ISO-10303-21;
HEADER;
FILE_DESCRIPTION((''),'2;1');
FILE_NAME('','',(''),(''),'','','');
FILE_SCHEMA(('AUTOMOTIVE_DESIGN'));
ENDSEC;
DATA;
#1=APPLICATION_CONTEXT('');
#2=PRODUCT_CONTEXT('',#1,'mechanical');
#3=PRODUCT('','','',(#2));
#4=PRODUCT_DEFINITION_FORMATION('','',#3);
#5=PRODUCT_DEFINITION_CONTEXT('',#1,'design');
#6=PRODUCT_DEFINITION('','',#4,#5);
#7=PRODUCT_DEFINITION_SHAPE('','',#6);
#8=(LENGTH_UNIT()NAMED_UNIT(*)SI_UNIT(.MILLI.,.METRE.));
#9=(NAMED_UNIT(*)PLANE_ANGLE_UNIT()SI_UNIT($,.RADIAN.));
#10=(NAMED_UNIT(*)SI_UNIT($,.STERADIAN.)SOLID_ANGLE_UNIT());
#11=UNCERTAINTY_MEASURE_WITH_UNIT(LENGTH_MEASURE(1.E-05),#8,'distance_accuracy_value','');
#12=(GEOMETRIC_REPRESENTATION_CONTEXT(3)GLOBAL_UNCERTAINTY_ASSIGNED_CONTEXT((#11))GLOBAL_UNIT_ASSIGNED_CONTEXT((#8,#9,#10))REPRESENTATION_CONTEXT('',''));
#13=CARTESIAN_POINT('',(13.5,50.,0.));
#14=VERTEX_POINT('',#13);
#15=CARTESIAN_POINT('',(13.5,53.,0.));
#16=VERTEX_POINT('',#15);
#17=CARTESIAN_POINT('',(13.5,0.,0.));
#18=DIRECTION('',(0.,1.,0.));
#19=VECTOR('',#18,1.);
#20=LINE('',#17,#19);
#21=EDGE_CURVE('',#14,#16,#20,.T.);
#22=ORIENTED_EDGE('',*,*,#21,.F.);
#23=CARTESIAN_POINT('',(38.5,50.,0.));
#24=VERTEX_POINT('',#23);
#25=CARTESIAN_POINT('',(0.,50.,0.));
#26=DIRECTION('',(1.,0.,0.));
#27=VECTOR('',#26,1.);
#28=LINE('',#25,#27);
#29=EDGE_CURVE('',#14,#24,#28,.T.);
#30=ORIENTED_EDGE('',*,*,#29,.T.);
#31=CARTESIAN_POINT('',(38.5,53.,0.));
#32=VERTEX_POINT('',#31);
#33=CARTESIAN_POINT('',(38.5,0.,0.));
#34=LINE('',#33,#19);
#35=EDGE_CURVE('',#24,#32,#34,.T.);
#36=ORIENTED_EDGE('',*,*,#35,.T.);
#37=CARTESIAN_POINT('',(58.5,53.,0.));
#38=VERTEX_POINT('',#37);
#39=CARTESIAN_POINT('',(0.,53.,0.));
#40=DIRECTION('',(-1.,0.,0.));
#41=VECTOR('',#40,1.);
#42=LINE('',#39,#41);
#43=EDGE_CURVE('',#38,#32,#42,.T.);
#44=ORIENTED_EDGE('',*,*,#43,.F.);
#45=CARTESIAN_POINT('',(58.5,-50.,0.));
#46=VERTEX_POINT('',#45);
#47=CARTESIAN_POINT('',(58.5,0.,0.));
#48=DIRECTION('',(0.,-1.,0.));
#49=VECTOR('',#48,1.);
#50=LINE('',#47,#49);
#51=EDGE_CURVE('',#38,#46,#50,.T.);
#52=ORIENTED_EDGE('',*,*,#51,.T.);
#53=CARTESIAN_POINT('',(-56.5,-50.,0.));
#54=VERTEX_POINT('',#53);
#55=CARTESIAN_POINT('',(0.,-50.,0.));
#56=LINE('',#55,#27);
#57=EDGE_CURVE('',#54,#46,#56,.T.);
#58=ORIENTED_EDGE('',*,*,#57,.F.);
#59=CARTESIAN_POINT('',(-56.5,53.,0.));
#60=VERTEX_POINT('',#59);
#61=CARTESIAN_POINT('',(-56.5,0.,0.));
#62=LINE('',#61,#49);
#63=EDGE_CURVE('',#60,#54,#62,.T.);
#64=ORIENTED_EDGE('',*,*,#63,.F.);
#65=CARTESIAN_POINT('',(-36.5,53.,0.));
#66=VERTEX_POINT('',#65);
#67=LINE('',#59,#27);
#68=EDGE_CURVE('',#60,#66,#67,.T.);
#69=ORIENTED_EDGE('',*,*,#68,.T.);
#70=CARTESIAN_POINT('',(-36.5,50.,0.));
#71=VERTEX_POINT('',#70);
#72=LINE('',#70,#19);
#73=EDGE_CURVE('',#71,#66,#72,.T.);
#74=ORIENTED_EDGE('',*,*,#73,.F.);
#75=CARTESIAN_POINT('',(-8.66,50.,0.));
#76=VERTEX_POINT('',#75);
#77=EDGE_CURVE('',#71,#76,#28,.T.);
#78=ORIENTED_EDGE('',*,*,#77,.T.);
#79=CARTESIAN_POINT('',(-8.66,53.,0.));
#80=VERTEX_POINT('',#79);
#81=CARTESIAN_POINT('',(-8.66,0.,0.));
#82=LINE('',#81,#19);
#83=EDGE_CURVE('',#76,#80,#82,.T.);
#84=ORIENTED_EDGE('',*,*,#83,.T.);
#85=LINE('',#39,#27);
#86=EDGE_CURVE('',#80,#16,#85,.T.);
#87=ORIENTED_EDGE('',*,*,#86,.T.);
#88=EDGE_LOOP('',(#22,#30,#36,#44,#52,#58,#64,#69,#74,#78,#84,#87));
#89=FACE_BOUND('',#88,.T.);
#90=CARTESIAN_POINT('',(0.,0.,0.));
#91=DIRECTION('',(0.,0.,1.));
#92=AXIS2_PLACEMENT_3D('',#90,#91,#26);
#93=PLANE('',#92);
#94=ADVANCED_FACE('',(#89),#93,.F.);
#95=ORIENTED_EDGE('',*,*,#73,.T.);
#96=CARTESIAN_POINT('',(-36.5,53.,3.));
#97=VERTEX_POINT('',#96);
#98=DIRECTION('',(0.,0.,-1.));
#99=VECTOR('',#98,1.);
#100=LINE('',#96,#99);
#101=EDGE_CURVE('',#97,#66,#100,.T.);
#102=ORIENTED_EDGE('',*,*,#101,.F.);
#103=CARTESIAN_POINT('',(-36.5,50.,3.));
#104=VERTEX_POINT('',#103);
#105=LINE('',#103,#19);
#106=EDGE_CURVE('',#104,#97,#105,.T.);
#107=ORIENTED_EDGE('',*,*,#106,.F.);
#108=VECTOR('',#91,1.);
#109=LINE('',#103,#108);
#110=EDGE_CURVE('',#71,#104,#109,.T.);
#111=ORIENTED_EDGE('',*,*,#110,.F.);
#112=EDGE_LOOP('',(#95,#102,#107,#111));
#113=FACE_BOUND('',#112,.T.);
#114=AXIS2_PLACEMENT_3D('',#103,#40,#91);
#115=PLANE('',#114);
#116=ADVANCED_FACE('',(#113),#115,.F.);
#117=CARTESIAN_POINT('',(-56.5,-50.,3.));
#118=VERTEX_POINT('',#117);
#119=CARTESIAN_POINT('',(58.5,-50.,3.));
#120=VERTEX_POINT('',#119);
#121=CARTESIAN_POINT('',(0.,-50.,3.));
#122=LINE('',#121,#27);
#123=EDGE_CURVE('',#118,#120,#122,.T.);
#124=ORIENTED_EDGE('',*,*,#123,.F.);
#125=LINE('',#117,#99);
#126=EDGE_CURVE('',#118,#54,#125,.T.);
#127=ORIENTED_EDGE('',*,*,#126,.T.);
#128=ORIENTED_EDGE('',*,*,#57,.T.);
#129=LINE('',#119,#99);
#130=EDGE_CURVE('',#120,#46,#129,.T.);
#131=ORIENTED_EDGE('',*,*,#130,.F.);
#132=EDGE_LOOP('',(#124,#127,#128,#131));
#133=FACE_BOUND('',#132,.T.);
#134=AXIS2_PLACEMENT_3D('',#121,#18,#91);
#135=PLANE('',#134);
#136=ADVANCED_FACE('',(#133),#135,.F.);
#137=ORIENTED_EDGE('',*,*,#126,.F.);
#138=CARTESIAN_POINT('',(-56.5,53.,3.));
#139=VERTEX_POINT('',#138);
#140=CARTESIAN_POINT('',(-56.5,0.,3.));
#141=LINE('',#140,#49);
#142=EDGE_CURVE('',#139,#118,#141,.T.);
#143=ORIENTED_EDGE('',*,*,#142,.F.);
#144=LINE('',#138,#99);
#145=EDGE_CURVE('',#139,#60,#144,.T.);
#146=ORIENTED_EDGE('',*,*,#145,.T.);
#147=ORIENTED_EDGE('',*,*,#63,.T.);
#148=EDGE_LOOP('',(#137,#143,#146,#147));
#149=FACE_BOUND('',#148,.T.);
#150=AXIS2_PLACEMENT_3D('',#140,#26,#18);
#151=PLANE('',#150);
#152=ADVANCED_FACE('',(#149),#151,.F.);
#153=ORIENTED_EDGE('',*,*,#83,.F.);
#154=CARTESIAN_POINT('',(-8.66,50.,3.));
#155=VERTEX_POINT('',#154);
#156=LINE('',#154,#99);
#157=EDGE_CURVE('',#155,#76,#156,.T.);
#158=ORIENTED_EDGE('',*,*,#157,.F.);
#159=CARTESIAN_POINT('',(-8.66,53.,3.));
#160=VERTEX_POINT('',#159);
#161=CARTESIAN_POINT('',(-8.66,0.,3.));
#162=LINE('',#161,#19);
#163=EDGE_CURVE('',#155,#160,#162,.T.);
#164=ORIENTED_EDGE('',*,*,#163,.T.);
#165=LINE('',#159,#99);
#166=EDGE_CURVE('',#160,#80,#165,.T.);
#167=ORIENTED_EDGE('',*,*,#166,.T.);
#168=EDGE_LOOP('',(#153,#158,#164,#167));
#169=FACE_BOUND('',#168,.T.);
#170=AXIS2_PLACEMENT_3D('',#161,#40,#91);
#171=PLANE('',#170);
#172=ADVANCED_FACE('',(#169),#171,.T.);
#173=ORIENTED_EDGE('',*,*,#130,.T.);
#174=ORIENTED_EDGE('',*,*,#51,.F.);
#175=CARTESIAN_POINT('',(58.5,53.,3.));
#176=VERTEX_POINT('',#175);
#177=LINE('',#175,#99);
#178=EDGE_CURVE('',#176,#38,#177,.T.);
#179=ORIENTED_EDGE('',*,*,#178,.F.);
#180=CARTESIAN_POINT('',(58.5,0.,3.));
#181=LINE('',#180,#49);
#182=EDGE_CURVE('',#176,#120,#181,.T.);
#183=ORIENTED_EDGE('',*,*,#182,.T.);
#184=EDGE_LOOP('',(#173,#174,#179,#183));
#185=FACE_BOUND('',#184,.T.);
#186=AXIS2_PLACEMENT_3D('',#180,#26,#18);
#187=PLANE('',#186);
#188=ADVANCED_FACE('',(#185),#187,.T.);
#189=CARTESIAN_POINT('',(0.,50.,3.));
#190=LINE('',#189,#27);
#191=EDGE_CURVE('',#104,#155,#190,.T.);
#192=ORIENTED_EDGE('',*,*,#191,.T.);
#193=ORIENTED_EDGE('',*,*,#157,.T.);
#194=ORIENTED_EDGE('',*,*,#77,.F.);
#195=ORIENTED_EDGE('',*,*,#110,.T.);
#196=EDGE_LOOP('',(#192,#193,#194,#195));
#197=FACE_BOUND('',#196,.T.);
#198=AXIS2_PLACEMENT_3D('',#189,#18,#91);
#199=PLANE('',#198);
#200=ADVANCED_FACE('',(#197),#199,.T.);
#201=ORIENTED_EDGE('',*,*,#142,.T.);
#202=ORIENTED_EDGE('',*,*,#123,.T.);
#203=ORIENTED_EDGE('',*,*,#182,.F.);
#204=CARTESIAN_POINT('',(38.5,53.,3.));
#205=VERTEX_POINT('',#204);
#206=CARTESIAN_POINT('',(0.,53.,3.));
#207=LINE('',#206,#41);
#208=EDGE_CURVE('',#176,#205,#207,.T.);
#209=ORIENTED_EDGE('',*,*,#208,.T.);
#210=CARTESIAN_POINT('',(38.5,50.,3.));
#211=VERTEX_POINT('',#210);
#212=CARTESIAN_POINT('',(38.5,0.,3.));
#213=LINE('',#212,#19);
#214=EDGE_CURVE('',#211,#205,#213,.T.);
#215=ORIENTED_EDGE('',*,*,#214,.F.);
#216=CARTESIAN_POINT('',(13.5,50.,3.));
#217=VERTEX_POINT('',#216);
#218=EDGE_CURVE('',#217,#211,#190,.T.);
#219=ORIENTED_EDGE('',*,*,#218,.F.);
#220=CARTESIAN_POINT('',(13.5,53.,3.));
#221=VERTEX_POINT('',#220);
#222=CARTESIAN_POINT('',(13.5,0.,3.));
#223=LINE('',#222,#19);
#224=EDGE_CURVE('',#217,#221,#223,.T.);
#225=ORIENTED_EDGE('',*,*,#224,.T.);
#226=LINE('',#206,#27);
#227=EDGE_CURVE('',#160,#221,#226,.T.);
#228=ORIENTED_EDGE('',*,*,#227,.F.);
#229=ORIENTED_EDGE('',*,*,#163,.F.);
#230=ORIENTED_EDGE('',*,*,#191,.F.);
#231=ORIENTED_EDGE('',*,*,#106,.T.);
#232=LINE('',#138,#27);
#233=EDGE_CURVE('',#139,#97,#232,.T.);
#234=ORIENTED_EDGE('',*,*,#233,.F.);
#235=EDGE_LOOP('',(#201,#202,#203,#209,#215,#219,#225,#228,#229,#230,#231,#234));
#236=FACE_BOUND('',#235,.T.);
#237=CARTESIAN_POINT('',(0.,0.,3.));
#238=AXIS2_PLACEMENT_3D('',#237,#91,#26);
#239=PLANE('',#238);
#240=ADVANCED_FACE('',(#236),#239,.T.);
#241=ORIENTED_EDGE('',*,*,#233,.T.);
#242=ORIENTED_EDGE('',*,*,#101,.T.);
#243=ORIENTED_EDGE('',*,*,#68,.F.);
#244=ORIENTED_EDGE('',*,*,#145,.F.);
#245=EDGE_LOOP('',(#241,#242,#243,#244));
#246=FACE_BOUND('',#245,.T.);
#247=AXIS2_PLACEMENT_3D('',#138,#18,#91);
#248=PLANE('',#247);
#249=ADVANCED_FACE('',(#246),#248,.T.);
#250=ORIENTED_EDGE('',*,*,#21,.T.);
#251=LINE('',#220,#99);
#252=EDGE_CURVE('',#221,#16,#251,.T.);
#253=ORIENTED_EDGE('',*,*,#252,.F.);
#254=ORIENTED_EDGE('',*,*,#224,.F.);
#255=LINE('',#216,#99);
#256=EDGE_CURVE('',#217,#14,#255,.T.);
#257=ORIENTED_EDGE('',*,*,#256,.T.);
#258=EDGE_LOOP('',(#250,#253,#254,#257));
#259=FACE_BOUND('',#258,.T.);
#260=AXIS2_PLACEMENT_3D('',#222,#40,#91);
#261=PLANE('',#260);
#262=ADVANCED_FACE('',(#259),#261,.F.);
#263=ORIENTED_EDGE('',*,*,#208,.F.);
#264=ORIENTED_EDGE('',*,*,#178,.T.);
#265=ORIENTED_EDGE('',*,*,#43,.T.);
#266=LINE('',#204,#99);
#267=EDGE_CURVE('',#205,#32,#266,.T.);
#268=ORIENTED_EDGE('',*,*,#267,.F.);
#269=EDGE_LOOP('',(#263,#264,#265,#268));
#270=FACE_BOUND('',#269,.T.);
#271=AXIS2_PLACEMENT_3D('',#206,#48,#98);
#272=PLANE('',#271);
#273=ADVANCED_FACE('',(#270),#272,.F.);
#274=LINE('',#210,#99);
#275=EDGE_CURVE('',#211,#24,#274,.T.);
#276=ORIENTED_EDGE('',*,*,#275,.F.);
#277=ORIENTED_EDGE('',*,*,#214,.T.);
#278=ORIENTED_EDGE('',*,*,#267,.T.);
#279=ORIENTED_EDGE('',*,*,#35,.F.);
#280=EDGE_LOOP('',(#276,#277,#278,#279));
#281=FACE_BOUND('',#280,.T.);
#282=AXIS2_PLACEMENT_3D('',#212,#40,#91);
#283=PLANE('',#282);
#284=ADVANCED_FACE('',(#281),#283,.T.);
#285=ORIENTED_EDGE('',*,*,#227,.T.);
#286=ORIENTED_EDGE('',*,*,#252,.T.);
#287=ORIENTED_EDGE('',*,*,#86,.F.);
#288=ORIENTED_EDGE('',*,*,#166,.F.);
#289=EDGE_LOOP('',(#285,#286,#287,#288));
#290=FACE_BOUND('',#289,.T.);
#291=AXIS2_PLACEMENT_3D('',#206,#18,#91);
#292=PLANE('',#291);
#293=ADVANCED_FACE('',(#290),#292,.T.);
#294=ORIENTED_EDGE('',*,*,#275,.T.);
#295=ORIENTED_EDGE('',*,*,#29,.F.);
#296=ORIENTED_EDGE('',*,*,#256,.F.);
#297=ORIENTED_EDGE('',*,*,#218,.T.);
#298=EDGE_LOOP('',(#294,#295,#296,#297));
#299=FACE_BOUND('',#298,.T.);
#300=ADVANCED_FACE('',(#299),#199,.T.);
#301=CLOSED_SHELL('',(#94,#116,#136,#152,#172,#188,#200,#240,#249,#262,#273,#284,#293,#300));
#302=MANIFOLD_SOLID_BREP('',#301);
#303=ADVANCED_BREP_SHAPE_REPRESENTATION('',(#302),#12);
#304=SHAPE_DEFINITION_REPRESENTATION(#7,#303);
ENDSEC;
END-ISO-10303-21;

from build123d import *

# Parameters (mm, degrees)
SKETCH1_W           = 115
SKETCH1_H           = 100
SKETCH1_W_2         = 22.16
SKETCH1_H_2         = 3
SKETCH1_W_3         = 20
BOSS_EXTRUDE1_DEPTH = 3


with BuildPart() as part:
    # Sketch1 → Boss-Extrude1 (new body)
    with BuildSketch(Plane.XY):
        with Locations((1, 0)):
            Rectangle(SKETCH1_W, SKETCH1_H)
        with Locations((2.42, 51.5)):
            Rectangle(SKETCH1_W_2, SKETCH1_H_2)
        with Locations((48.5, 51.5)):
            Rectangle(SKETCH1_W_3, SKETCH1_H_2)
        with Locations((-46.5, 51.5)):
            Rectangle(SKETCH1_W_3, SKETCH1_H_2)
    extrude(amount=BOSS_EXTRUDE1_DEPTH)


solid = part.part
